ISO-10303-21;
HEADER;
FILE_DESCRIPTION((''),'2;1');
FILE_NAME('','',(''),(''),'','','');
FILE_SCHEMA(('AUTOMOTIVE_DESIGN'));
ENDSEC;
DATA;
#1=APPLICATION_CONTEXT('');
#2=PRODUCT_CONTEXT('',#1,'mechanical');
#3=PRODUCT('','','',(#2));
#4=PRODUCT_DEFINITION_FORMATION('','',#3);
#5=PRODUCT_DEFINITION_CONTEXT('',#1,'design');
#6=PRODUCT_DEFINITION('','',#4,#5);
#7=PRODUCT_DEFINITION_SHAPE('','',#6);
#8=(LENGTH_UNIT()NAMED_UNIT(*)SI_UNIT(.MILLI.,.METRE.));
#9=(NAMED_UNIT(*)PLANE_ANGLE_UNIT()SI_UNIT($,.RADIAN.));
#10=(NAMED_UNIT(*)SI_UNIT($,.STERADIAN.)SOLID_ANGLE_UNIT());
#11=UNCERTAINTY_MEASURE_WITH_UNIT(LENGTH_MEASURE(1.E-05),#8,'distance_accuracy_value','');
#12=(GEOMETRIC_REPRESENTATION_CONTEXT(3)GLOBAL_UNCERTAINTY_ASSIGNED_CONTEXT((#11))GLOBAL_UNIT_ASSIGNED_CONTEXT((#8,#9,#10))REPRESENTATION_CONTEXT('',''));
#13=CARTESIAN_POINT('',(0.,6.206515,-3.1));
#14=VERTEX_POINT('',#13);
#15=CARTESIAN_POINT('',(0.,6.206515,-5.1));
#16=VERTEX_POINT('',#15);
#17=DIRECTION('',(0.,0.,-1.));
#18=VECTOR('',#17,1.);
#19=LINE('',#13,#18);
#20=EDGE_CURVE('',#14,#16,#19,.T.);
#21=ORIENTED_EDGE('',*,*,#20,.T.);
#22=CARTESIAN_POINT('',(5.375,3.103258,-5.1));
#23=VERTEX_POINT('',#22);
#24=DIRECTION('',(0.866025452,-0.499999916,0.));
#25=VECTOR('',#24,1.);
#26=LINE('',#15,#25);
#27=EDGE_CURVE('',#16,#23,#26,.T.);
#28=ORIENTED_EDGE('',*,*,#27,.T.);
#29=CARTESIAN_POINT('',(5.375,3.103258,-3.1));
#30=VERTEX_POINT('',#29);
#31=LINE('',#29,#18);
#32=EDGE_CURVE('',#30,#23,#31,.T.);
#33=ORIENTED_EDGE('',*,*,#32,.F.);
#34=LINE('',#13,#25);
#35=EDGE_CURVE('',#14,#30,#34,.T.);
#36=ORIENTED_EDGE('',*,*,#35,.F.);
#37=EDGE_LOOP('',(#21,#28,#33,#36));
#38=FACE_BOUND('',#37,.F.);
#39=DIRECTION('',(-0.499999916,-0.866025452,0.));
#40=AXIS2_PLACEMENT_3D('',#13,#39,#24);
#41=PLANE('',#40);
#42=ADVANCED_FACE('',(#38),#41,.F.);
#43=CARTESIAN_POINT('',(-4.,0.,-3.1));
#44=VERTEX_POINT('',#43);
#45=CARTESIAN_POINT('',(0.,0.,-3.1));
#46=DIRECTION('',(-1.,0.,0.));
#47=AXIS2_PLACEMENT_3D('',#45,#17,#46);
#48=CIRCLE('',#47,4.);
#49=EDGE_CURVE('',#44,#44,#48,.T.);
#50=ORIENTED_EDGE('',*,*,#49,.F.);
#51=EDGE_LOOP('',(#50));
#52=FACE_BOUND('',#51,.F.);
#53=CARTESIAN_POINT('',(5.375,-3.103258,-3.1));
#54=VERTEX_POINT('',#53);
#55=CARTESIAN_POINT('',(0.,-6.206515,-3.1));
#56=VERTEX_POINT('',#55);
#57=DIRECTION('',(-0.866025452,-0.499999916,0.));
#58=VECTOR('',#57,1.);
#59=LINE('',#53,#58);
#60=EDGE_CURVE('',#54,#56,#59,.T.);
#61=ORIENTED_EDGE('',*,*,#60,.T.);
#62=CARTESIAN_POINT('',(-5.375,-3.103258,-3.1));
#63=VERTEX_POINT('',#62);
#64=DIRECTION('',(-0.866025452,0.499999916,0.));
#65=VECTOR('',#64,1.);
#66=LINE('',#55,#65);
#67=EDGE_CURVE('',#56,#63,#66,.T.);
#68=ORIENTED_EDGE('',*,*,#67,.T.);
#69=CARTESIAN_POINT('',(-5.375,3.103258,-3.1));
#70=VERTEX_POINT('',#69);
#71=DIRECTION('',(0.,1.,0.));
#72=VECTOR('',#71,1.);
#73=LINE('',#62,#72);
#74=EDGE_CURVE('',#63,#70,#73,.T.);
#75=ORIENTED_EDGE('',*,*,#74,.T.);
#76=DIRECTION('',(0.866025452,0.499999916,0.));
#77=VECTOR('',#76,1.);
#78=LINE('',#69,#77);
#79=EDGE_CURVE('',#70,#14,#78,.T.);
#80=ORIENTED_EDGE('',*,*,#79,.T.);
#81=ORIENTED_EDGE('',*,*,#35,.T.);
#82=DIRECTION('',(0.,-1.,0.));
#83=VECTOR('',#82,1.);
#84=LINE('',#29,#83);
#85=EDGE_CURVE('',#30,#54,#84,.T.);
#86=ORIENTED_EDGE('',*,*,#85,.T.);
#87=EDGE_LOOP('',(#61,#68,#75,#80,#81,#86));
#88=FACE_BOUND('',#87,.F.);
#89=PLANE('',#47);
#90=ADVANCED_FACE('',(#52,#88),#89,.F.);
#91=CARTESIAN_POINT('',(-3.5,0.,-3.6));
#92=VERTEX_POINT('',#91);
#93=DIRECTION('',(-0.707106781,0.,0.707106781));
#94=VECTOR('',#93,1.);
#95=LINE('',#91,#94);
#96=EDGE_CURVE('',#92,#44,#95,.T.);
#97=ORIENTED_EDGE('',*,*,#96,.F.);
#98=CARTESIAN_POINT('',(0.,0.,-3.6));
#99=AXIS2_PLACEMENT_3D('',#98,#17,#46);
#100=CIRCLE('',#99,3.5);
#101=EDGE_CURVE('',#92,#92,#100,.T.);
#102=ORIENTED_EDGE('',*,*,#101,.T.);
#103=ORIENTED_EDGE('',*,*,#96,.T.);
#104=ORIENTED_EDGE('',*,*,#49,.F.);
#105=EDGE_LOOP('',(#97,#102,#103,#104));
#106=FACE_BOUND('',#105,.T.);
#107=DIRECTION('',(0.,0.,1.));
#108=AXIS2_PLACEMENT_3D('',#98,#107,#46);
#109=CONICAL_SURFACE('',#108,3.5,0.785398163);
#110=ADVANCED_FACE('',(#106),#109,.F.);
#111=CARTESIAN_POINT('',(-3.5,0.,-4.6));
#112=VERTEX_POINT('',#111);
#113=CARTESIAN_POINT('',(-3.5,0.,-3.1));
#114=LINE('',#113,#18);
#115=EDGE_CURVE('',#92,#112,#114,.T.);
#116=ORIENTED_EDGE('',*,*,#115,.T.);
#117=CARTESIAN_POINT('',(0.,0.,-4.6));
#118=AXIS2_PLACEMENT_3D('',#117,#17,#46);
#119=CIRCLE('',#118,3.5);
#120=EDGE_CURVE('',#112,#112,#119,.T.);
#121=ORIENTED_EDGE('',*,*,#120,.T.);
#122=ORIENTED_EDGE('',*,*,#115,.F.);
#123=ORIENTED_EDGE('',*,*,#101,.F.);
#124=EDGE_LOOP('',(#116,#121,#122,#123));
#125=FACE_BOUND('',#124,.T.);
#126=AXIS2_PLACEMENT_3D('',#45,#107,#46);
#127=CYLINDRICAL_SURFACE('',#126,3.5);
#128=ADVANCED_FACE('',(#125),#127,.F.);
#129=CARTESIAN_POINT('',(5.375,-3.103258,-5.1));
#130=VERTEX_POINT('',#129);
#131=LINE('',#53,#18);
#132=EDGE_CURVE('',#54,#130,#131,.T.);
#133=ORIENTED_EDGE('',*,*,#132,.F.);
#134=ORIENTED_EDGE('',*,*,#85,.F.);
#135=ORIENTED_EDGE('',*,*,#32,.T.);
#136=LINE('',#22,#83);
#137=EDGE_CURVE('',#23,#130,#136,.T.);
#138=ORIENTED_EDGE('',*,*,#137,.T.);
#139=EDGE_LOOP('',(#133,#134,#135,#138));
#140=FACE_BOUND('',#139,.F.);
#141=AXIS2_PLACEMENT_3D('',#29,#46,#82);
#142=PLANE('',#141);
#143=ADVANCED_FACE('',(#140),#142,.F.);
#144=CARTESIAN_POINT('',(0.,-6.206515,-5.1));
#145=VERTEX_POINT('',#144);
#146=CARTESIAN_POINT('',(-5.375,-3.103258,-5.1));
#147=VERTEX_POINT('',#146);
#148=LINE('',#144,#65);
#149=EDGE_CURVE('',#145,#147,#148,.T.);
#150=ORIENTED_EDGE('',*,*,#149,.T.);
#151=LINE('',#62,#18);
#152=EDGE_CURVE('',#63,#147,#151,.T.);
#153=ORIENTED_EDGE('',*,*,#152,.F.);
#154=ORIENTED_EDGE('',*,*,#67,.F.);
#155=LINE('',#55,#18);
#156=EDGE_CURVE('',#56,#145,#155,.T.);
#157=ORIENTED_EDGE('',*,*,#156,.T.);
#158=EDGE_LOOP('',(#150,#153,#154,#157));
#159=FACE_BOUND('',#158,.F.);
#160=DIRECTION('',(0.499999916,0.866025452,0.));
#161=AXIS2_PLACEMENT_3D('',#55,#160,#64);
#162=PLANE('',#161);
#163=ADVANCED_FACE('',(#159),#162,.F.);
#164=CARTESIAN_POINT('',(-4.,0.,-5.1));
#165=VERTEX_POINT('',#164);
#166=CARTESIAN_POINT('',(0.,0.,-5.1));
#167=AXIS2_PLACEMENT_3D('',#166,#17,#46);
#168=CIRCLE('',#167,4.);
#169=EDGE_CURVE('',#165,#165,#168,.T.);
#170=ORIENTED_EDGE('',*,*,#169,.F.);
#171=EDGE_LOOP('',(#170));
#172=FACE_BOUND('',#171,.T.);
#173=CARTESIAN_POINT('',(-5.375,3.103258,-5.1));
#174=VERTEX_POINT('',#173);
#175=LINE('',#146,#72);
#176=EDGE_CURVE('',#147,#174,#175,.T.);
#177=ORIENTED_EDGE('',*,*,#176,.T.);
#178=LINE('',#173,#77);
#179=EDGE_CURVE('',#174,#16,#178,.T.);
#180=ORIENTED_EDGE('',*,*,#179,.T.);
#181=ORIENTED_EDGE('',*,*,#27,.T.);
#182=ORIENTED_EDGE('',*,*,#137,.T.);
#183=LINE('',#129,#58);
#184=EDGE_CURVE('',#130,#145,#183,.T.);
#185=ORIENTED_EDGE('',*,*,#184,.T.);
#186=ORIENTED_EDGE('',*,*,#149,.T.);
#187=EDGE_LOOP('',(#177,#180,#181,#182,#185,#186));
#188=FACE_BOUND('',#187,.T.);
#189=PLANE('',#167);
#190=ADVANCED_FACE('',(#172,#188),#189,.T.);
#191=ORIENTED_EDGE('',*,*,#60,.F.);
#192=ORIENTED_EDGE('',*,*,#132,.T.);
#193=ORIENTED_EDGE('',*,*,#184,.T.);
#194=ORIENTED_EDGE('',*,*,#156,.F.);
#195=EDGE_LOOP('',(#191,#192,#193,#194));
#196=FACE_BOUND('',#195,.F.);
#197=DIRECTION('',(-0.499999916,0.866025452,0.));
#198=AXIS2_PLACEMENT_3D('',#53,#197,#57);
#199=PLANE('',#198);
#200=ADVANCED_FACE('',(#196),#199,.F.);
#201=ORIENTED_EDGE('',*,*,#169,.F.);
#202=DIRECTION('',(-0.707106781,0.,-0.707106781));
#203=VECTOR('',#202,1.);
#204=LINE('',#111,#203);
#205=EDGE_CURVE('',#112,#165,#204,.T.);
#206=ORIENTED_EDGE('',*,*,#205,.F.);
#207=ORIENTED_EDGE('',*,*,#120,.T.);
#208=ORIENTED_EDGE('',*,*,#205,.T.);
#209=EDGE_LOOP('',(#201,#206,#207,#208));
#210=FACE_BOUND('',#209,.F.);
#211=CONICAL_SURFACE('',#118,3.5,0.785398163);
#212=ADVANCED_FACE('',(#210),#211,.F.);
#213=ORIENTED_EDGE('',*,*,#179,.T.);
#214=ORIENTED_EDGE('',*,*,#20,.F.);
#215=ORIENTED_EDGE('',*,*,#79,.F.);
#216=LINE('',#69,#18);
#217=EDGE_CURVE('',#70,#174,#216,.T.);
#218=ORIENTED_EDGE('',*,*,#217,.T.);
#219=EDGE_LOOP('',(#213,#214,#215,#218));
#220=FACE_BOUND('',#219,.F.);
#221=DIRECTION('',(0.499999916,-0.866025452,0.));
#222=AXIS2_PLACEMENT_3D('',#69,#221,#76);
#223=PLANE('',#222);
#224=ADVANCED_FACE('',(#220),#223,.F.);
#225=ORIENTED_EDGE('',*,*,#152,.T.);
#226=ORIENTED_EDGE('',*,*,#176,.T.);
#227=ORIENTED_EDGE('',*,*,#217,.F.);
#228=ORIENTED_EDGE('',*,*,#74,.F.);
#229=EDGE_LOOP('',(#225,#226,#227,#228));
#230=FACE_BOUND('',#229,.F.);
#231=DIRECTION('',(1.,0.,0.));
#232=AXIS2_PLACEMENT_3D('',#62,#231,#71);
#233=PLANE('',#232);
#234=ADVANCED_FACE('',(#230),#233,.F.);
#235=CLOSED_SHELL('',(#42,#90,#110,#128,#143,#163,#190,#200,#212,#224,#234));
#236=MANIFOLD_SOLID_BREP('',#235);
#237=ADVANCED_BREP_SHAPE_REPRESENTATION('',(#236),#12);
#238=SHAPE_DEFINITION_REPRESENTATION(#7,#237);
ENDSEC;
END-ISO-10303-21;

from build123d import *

# Parameters (mm, degrees)
SKETCH019_R             = 3.5
PAD011_DEPTH            = 2
CHAMFER004_SIZE         = 0.5
CHAMFER005_SIZE         = 0.5
BODY007_PITCH_ANGLE     = 90
BODY007_PLACEMENT_ANGLE = 90


with BuildPart() as part:
    # Sketch019 → Pad011 (new body)
    with BuildSketch(Plane.YZ):
        Polygon((5.375, -3.103258), (5.375, 3.103258), (0, 6.206515), (-5.375, 3.103258), (-5.375, -3.103258), (0, -6.206515), align=None)
        Circle(SKETCH019_R, mode=Mode.SUBTRACT)
    extrude(amount=PAD011_DEPTH)

    # Chamfer004
    chamfer004_edges = [part.edges().sort_by_distance(p)[0] for p in [
        (0, -3.5, 0),
    ]]
    chamfer(chamfer004_edges, length=CHAMFER004_SIZE)

    # Chamfer005
    chamfer005_edges = [part.edges().sort_by_distance(p)[0] for p in [
        (2, -3.5, 0),
    ]]
    chamfer(chamfer005_edges, length=CHAMFER005_SIZE)


with BuildPart() as part_1:
    # Body007 pitch: moved
    add(part.part.rotate(Axis((0, 0, 0), (0, 1, 0)), BODY007_PITCH_ANGLE))


with BuildPart() as part_2:
    # Body007 placement: moved
    add(part_1.part.moved(Location((0, 0, -3.1))).rotate(Axis((0, 0, -3.1), (0, 0, 1)), BODY007_PLACEMENT_ANGLE))


solid = part_2.part
